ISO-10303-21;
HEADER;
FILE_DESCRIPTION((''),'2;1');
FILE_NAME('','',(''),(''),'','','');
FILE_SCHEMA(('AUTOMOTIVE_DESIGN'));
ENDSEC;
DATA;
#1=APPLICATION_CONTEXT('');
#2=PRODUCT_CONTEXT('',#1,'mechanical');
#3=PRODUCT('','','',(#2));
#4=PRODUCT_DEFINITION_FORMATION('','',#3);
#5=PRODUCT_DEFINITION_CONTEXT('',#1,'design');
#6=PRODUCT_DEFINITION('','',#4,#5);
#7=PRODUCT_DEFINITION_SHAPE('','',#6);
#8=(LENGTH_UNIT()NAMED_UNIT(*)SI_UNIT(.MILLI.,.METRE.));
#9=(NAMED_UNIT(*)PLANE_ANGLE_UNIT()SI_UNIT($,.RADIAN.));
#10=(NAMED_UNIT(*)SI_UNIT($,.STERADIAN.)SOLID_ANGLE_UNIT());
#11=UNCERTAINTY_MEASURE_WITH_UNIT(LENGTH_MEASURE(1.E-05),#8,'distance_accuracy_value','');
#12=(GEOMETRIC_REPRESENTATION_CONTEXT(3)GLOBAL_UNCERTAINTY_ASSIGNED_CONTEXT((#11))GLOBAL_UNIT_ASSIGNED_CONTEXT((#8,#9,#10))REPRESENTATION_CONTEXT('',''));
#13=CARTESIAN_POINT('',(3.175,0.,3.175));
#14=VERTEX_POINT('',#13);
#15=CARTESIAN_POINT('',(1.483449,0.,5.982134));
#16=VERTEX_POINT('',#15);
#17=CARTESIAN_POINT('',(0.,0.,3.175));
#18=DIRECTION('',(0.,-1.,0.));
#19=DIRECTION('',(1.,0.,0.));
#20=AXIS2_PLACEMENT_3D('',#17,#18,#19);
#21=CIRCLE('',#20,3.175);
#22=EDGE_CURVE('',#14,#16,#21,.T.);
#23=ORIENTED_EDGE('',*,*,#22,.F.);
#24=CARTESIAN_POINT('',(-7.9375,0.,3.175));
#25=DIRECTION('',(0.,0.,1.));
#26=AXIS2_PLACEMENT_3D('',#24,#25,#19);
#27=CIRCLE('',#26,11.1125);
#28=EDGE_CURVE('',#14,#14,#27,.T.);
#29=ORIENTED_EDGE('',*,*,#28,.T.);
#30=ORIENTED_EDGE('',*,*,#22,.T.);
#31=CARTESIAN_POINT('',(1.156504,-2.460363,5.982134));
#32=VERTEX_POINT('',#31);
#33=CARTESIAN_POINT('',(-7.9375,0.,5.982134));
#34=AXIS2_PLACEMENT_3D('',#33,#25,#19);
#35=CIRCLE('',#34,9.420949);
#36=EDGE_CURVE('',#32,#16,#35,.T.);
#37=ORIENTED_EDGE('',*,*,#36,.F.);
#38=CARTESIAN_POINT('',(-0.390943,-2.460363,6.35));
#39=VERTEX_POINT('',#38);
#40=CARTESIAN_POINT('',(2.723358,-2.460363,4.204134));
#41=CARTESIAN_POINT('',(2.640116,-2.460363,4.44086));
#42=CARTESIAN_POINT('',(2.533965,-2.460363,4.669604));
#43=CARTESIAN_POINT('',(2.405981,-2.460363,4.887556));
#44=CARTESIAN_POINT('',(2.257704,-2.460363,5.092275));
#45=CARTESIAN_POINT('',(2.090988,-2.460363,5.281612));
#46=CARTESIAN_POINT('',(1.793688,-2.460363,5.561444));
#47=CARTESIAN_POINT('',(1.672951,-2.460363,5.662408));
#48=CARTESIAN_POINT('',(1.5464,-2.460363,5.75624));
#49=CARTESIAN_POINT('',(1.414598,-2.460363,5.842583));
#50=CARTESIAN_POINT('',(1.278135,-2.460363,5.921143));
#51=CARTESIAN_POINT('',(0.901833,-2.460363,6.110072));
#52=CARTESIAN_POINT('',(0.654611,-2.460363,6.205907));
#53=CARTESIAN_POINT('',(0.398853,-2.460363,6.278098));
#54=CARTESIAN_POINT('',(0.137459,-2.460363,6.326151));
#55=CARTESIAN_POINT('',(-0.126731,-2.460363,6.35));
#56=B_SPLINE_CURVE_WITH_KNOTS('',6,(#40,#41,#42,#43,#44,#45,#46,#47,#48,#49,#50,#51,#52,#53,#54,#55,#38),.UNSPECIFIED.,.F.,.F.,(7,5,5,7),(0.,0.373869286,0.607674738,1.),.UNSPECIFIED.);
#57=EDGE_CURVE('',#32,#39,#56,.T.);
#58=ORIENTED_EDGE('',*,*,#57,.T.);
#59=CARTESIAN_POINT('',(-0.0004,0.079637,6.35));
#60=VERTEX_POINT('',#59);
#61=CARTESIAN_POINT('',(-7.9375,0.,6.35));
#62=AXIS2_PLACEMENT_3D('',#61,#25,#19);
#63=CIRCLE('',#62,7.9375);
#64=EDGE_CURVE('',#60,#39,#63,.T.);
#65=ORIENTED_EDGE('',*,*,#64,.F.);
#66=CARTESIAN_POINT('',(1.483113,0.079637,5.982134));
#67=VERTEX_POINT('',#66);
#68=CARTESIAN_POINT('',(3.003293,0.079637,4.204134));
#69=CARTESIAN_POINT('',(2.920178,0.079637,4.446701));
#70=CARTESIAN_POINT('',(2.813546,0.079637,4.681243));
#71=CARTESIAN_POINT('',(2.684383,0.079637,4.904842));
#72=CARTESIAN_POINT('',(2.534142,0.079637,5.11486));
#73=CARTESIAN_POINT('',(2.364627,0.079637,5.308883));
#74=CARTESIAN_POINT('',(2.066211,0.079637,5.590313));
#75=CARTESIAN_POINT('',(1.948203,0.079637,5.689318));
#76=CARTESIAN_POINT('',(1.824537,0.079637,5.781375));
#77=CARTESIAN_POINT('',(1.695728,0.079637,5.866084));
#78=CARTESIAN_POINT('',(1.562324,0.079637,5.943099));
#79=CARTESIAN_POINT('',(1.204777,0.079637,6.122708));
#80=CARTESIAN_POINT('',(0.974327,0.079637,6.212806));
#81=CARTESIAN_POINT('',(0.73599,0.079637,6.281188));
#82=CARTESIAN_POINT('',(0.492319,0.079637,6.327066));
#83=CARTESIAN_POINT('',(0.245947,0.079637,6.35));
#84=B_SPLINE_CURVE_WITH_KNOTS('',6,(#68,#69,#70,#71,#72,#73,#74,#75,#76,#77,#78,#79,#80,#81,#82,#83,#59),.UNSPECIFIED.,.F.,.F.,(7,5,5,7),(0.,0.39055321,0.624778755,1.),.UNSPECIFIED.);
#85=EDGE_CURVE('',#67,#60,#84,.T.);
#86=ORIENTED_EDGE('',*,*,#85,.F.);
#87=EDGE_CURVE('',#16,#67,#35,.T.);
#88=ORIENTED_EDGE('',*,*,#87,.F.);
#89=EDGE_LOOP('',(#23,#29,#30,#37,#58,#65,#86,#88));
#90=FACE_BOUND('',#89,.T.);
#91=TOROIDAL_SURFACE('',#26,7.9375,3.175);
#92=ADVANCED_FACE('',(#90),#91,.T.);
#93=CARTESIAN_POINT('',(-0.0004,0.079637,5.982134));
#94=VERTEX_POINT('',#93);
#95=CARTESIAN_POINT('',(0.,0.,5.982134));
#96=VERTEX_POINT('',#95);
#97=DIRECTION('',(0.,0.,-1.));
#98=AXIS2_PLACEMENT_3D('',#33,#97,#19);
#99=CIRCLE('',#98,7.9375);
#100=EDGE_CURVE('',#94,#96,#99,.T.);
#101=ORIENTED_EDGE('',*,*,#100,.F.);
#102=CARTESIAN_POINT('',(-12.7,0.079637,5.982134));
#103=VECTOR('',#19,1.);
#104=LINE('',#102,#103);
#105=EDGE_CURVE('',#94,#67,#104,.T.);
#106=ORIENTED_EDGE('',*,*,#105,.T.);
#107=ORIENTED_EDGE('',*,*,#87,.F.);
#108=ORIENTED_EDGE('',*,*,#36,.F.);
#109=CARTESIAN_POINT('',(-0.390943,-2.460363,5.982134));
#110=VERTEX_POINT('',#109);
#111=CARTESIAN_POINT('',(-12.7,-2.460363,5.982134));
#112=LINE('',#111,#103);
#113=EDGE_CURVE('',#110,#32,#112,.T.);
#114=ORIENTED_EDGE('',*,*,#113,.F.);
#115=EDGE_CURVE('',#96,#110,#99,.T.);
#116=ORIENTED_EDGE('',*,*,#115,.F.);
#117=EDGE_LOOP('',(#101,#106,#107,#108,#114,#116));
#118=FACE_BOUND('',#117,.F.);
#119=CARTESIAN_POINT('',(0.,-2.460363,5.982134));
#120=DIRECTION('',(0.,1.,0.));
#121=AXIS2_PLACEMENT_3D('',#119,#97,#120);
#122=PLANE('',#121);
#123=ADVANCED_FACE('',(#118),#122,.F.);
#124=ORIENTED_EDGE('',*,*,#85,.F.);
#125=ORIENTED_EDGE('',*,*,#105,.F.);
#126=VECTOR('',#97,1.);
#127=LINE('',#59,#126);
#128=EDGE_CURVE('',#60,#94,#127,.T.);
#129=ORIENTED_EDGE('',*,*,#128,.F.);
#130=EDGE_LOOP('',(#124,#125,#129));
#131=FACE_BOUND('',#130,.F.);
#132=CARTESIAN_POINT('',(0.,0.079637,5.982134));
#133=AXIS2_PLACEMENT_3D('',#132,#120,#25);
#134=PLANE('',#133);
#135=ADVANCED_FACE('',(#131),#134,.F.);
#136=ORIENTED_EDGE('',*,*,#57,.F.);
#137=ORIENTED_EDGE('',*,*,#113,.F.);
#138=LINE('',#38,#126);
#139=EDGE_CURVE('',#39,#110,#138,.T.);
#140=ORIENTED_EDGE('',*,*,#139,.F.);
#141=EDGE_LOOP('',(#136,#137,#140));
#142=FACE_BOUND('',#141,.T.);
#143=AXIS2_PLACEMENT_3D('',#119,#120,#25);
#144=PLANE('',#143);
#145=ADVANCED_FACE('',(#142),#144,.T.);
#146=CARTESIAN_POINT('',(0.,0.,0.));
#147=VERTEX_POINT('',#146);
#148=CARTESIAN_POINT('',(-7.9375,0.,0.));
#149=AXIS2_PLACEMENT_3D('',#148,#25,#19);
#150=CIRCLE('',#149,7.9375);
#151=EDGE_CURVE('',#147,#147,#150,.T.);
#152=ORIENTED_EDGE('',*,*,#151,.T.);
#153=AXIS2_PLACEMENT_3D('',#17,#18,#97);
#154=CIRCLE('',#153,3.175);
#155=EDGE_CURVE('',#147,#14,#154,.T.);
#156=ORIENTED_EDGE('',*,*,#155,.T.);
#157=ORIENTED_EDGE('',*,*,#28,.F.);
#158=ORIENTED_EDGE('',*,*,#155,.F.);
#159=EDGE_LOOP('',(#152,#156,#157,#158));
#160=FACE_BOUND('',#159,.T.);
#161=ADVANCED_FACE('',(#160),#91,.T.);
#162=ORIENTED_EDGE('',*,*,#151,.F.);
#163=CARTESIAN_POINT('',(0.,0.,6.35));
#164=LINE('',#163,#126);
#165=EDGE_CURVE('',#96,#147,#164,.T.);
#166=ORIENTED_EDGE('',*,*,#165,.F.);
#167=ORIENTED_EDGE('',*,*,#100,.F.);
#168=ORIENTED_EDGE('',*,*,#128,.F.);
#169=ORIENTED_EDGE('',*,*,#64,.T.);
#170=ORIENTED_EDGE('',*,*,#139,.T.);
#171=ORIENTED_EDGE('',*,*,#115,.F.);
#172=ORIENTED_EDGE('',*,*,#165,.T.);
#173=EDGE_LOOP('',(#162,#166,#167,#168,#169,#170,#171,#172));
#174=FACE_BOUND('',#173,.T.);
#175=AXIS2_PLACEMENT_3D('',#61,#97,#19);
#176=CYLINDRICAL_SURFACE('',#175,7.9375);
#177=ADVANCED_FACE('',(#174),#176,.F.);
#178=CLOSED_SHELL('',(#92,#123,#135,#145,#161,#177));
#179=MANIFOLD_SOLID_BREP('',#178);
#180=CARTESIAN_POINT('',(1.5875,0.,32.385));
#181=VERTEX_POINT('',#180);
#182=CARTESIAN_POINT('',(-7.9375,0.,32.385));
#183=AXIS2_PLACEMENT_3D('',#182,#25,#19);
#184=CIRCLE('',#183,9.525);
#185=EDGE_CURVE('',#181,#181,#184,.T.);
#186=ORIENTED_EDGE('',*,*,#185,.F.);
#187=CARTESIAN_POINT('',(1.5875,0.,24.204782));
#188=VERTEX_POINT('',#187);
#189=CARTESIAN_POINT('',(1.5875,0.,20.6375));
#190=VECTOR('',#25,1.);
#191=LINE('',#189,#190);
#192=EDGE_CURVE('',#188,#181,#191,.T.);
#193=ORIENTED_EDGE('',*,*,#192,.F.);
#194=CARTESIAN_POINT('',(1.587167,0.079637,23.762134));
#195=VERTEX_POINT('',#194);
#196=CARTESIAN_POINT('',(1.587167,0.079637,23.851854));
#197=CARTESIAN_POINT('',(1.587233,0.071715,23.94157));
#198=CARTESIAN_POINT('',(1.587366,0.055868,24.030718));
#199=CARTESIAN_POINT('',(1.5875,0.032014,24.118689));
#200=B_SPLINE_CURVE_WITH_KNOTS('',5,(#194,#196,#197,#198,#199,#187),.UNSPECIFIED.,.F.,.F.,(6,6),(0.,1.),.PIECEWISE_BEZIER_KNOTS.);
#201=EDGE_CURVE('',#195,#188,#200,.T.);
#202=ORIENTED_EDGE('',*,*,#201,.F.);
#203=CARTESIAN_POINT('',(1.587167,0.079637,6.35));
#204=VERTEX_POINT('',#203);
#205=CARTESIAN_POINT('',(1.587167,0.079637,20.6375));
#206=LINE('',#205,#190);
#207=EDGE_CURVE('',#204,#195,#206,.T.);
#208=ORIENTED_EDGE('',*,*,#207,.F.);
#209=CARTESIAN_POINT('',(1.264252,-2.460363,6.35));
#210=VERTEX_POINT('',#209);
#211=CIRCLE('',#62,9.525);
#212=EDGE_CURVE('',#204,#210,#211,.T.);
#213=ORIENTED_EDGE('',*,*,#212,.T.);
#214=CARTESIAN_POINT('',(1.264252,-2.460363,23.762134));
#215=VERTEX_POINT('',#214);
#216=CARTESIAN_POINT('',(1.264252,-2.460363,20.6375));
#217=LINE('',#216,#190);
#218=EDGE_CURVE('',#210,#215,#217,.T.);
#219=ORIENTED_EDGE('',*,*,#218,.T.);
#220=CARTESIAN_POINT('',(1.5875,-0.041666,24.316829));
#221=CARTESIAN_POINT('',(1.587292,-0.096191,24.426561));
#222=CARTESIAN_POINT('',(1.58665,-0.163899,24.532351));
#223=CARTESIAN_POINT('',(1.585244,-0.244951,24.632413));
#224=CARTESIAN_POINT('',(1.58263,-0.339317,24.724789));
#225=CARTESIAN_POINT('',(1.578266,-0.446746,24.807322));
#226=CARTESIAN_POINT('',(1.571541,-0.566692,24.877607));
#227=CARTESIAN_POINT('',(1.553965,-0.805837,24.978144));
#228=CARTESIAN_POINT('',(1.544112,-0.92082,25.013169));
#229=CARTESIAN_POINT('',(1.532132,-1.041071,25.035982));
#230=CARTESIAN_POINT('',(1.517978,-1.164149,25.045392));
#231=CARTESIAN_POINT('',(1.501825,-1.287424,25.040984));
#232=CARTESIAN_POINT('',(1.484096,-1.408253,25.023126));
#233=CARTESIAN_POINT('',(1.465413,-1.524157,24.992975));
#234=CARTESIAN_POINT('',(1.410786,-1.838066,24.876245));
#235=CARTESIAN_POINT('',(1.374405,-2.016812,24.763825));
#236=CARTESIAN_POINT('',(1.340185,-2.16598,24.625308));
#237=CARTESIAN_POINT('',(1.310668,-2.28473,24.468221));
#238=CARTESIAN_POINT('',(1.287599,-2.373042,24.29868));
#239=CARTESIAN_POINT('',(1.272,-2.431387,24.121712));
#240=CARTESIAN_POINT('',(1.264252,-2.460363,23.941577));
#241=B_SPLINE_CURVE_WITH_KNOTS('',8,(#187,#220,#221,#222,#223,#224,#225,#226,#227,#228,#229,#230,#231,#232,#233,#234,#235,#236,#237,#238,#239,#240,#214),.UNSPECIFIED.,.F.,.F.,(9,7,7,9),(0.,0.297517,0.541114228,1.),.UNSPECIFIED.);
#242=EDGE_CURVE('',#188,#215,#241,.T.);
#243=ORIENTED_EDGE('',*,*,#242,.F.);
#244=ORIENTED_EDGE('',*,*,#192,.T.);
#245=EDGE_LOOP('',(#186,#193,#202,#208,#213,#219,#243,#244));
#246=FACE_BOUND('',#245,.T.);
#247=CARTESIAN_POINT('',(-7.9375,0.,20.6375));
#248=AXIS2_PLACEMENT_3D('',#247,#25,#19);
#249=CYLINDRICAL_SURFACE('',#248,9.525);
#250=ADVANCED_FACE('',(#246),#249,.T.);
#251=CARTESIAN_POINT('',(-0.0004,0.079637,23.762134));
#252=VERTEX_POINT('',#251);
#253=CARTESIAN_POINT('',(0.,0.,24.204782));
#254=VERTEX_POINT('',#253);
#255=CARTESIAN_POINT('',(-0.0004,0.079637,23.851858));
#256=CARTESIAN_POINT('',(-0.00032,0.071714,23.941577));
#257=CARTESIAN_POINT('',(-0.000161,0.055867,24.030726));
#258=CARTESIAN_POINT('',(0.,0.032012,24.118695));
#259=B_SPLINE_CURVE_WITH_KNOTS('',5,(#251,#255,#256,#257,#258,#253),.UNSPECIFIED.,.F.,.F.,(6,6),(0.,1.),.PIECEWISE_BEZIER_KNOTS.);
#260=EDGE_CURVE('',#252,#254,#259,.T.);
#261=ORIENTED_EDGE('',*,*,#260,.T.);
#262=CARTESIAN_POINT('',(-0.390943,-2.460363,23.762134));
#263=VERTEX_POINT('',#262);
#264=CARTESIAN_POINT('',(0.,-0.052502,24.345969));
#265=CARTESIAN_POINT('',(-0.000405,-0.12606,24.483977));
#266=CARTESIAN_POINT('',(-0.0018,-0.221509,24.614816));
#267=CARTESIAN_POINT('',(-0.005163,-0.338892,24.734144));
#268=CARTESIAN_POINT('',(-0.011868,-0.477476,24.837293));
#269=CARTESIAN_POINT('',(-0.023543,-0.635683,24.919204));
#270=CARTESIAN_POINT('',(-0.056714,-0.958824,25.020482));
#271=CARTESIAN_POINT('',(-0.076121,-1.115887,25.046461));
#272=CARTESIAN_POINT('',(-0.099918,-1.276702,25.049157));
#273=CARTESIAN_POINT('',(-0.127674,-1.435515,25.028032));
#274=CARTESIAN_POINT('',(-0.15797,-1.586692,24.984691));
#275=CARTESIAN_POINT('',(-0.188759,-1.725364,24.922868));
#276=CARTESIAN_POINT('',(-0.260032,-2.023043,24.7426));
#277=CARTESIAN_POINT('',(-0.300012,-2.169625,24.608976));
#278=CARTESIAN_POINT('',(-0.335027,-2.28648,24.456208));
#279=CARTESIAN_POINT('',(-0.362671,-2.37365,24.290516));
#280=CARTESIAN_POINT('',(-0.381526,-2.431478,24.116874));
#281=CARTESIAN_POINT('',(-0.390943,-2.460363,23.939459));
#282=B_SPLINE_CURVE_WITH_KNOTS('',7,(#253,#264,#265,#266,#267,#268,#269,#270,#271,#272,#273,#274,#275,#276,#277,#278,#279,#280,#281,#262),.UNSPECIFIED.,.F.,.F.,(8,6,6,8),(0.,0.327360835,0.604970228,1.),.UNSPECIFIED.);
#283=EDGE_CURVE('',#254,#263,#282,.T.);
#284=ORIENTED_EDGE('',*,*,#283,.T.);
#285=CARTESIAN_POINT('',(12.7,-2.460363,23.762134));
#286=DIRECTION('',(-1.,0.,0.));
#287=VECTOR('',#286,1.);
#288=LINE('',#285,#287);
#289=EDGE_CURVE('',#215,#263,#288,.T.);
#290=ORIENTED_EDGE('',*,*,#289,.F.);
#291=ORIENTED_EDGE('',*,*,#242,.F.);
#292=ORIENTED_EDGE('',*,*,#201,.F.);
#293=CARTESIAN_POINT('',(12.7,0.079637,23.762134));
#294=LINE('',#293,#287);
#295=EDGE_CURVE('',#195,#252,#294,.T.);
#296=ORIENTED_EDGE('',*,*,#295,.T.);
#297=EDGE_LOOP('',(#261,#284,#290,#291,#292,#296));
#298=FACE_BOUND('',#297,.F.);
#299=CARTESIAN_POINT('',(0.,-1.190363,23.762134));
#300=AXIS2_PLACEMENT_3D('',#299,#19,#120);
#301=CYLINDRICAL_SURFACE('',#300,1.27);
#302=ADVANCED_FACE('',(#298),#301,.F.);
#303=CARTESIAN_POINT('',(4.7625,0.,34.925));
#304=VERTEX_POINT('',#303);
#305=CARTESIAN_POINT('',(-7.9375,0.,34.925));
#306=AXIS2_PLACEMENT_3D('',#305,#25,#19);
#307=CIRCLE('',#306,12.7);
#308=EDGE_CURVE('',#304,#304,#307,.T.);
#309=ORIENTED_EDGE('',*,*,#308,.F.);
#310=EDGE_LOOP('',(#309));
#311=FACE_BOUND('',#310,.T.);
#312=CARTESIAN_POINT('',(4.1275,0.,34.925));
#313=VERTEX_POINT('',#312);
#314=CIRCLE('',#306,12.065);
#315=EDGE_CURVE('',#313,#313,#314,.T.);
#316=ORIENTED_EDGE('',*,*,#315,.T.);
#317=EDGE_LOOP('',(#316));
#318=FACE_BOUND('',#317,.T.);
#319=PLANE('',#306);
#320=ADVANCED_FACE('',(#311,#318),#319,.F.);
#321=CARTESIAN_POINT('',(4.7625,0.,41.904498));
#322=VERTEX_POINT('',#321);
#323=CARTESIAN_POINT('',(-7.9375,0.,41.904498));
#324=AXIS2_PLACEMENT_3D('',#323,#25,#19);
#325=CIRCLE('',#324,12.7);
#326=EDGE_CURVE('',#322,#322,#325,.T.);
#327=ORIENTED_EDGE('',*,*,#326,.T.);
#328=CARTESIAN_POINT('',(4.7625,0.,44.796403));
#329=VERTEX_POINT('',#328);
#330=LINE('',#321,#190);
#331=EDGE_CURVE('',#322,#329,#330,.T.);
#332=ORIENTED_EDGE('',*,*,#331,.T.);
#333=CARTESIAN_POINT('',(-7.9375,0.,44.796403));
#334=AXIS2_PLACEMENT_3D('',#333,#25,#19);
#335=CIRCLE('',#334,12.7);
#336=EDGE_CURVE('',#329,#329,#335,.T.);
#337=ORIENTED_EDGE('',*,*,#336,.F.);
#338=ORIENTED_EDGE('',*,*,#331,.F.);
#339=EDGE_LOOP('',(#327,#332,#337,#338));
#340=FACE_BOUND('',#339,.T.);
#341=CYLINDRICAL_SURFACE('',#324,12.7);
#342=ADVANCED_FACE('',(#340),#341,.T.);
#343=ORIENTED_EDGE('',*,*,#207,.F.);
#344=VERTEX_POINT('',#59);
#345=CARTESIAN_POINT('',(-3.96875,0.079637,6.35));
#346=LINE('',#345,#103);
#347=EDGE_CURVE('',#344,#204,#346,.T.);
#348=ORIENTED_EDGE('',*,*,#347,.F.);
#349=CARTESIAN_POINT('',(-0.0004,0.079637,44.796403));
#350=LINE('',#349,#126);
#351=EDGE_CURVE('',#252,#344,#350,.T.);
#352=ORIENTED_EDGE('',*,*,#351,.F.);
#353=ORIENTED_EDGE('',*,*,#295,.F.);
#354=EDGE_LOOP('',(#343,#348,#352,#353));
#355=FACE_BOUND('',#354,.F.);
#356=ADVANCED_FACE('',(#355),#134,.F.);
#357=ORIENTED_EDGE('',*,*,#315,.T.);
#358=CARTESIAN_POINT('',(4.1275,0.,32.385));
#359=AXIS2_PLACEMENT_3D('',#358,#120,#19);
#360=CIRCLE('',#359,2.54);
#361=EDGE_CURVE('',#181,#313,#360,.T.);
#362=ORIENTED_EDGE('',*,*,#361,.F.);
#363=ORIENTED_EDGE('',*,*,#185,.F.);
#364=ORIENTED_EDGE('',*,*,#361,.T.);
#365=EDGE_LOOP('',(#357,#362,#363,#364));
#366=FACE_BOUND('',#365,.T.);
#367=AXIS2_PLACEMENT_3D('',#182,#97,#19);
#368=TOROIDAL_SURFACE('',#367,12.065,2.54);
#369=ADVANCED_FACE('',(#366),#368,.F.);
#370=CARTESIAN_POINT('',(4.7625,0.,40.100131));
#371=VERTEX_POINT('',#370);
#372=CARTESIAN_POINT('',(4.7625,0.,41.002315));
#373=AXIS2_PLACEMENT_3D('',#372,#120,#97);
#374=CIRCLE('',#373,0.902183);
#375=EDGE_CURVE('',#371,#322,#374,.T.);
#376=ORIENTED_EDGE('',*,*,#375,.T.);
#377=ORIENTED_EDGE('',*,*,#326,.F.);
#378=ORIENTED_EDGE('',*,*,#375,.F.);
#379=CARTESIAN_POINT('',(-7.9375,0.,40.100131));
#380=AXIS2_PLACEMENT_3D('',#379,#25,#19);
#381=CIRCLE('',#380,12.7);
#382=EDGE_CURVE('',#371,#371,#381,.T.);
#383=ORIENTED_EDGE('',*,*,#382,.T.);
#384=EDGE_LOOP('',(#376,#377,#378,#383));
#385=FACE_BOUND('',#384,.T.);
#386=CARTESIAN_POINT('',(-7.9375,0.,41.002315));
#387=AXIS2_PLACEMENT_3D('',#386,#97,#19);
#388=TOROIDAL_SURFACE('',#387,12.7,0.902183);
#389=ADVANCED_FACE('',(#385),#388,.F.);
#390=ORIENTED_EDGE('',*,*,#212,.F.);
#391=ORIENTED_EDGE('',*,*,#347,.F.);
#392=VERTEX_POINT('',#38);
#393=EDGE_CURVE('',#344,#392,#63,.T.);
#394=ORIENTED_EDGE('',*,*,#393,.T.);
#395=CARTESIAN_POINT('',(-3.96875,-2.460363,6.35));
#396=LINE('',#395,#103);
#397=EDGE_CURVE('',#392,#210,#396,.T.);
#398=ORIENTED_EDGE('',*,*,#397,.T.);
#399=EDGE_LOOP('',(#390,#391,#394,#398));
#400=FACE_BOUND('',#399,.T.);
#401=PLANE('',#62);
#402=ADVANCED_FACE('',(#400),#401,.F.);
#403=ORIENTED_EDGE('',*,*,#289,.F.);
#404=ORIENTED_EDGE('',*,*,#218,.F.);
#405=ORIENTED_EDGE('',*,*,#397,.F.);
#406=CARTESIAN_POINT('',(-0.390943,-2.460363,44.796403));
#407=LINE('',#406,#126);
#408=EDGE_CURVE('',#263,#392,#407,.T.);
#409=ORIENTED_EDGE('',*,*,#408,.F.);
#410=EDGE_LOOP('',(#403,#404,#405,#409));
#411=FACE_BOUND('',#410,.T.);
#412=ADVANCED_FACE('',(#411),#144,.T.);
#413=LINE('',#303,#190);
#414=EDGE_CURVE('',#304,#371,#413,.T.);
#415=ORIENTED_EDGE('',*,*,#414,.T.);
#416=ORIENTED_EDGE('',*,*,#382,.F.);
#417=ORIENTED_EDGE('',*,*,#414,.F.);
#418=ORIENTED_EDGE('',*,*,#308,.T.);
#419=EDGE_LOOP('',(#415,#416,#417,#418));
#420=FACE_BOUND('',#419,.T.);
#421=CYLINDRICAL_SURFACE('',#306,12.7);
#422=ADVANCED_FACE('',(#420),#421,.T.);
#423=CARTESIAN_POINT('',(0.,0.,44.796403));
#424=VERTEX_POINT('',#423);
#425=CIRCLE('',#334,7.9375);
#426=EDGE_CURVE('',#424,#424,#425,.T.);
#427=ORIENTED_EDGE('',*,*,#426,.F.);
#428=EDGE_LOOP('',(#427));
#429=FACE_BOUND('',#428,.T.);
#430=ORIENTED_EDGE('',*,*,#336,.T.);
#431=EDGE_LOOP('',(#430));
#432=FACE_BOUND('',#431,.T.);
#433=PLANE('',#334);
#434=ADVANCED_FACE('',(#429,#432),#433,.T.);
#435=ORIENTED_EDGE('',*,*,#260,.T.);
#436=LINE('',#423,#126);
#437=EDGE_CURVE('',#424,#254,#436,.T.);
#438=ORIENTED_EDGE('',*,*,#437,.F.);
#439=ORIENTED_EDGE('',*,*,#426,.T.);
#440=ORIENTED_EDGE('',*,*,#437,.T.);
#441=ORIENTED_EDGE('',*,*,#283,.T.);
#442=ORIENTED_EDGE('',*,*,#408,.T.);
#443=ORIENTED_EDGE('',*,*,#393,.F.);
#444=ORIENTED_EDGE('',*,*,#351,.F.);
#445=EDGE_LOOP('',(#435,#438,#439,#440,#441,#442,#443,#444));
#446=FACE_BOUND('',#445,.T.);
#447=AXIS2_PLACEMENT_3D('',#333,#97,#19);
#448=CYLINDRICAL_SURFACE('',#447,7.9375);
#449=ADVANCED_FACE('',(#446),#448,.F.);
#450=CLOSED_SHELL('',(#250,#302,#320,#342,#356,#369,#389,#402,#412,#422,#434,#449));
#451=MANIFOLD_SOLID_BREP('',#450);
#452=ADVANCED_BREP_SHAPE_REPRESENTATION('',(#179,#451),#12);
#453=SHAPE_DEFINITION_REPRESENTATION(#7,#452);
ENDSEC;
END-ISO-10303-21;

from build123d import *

# Parameters (mm, degrees)
F0_W     = 1.5875
F0_H     = 28.575
F2_R     = 2.54
F3_W     = 2.54
F3_H     = 17.78
F4_DEPTH = 12.7


with BuildPart() as f1:
    # F0 (on Front) → F1 (revolve)
    with BuildSketch(Plane.XZ):
        with Locations((0.79375, 20.6375)):
            Rectangle(F0_W, F0_H)
        with BuildLine():
            Line((0, 44.7964034975), (0, 34.925))
            Line((0, 34.925), (1.5875, 34.925))
            Line((1.5875, 34.925), (4.7625, 34.925))
            Line((4.7625, 34.925), (4.7625, 40.1001311839))
            ThreePointArc((4.7625, 40.1001311839), (3.8603166461, 41.0023145378), (4.7625, 41.9044978917))
            Line((4.7625, 41.9044978917), (4.7625, 44.7964034975))
            Line((4.7625, 44.7964034975), (0, 44.7964034975))
        make_face()
    revolve(axis=Axis((-7.9375, 0, 26.2395332485), (0, 0, 1)))

    # F2
    f2_edges = [f1.edges().sort_by_distance(p)[0] for p in [
        (-17.4625, 0, 34.925),
    ]]
    fillet(f2_edges, radius=F2_R)


with BuildPart() as f1b:
    # F0 (on Front) → F1, piece 2 (revolve)
    with BuildSketch(Plane.XZ):
        with BuildLine():
            Line((0, 6.35), (0, 0))
            ThreePointArc((0, 0), (2.2450640303, 0.9299359697), (3.175, 3.175))
            ThreePointArc((3.175, 3.175), (2.2450640303, 5.4200640303), (0, 6.35))
        make_face()
    revolve(axis=Axis((-7.9375, 0, 26.2395332485), (0, 0, 1)))


with BuildPart() as f4_tool:
    # F3 (on Right) → F4 (new body, symmetric)
    with BuildSketch(Plane.YZ):
        with Locations((-1.1903626225, 14.8721342405)):
            Rectangle(F3_W, F3_H)
        with BuildLine():
            ThreePointArc((0.0796373775, 23.7621342405), (-1.1903626225, 25.0321342405), (-2.4603626225, 23.7621342405))
            Line((-2.4603626225, 23.7621342405), (0.0796373775, 23.7621342405))
        make_face()
    extrude(amount=F4_DEPTH, both=True)


with BuildPart() as f1_1:
    add(f1.part)

    # F4: cut by f4_tool
    add(f4_tool.part, mode=Mode.SUBTRACT)


with BuildPart() as f1b_1:
    add(f1b.part)

    # F4: cut by f4_tool
    add(f4_tool.part, mode=Mode.SUBTRACT)


solid = Compound([f1_1.part, f1b_1.part])
